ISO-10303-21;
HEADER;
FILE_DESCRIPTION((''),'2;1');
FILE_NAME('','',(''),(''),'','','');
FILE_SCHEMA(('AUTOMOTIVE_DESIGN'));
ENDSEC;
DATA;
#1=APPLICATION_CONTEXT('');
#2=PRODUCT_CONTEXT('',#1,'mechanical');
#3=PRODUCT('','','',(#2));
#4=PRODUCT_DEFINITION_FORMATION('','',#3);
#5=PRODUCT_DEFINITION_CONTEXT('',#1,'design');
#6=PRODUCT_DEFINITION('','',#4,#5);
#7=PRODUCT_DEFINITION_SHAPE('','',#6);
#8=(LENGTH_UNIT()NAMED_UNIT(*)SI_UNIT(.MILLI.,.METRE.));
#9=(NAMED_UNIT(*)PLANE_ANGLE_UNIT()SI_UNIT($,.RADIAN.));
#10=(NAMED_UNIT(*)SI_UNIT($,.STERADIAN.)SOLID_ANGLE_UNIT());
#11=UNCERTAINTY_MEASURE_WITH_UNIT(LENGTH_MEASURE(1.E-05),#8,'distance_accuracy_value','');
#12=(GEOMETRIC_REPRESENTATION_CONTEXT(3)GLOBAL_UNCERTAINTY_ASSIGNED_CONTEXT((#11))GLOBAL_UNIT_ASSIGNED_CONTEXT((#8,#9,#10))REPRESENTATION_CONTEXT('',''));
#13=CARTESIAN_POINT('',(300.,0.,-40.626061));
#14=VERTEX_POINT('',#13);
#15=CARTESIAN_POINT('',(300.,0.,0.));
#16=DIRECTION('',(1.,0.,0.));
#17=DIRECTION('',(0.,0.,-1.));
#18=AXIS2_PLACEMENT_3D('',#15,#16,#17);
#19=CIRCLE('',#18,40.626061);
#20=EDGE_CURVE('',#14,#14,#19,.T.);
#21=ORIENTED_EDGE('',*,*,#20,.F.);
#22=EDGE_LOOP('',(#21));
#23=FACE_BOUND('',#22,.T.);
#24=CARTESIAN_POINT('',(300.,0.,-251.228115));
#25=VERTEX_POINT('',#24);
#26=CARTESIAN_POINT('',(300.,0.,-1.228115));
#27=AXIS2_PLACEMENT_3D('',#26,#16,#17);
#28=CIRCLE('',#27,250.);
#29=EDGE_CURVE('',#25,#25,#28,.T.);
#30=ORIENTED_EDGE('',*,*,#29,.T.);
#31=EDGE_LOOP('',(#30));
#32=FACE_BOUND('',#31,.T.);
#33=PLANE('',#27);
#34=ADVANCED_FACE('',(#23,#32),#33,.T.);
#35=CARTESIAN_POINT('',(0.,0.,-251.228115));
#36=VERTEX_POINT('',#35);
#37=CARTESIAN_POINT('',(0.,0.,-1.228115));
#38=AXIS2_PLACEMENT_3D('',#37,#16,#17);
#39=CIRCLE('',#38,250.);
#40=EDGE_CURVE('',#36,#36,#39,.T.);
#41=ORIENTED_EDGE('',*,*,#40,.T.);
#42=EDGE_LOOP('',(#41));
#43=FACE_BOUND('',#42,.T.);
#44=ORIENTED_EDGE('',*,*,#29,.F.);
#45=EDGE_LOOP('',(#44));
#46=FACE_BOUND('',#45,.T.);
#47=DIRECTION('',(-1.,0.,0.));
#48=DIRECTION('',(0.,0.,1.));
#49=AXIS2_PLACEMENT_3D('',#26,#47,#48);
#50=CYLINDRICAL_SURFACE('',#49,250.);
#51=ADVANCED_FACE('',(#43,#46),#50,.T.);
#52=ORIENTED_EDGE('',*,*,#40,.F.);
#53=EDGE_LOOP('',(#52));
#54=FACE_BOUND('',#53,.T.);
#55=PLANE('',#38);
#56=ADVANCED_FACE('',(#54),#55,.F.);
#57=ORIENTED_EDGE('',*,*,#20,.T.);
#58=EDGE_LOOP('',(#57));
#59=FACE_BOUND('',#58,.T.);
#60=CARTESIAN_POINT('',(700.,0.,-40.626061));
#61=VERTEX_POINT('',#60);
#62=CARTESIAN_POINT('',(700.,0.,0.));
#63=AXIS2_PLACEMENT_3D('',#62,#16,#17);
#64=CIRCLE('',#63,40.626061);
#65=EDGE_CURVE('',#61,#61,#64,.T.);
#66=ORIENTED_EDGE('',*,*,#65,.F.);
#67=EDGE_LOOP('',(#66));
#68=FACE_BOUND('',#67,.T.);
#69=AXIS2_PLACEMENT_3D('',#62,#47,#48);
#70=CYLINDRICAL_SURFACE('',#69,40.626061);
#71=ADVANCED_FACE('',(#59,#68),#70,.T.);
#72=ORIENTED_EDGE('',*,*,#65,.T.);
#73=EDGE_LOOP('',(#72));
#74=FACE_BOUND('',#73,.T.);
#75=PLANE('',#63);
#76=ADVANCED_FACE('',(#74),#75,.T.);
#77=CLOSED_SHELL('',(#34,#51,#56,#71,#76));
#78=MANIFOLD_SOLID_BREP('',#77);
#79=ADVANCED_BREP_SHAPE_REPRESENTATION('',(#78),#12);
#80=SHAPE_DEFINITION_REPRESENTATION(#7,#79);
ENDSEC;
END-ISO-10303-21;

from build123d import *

# Parameters (mm, degrees)
SKETCH1_R           = 250
BOSS_EXTRUDE1_DEPTH = 300
SKETCH2_R           = 40.626061148
BOSS_EXTRUDE3_DEPTH = 400


with BuildPart() as part:
    # Sketch1 → Boss-Extrude1 (new body)
    with BuildSketch(Plane(origin=(0, 0, 0), x_dir=(0, 0, -1), z_dir=(1, 0, 0))):
        with Locations((1.228114887, 0)):
            Circle(SKETCH1_R)
    extrude(amount=BOSS_EXTRUDE1_DEPTH)

    # Sketch2 → Boss-Extrude3 (add)
    with BuildSketch(Plane(origin=(300, 0, 0), x_dir=(0, 0, -1), z_dir=(1, 0, 0))):
        Circle(SKETCH2_R)
    extrude(amount=BOSS_EXTRUDE3_DEPTH)


solid = part.part
